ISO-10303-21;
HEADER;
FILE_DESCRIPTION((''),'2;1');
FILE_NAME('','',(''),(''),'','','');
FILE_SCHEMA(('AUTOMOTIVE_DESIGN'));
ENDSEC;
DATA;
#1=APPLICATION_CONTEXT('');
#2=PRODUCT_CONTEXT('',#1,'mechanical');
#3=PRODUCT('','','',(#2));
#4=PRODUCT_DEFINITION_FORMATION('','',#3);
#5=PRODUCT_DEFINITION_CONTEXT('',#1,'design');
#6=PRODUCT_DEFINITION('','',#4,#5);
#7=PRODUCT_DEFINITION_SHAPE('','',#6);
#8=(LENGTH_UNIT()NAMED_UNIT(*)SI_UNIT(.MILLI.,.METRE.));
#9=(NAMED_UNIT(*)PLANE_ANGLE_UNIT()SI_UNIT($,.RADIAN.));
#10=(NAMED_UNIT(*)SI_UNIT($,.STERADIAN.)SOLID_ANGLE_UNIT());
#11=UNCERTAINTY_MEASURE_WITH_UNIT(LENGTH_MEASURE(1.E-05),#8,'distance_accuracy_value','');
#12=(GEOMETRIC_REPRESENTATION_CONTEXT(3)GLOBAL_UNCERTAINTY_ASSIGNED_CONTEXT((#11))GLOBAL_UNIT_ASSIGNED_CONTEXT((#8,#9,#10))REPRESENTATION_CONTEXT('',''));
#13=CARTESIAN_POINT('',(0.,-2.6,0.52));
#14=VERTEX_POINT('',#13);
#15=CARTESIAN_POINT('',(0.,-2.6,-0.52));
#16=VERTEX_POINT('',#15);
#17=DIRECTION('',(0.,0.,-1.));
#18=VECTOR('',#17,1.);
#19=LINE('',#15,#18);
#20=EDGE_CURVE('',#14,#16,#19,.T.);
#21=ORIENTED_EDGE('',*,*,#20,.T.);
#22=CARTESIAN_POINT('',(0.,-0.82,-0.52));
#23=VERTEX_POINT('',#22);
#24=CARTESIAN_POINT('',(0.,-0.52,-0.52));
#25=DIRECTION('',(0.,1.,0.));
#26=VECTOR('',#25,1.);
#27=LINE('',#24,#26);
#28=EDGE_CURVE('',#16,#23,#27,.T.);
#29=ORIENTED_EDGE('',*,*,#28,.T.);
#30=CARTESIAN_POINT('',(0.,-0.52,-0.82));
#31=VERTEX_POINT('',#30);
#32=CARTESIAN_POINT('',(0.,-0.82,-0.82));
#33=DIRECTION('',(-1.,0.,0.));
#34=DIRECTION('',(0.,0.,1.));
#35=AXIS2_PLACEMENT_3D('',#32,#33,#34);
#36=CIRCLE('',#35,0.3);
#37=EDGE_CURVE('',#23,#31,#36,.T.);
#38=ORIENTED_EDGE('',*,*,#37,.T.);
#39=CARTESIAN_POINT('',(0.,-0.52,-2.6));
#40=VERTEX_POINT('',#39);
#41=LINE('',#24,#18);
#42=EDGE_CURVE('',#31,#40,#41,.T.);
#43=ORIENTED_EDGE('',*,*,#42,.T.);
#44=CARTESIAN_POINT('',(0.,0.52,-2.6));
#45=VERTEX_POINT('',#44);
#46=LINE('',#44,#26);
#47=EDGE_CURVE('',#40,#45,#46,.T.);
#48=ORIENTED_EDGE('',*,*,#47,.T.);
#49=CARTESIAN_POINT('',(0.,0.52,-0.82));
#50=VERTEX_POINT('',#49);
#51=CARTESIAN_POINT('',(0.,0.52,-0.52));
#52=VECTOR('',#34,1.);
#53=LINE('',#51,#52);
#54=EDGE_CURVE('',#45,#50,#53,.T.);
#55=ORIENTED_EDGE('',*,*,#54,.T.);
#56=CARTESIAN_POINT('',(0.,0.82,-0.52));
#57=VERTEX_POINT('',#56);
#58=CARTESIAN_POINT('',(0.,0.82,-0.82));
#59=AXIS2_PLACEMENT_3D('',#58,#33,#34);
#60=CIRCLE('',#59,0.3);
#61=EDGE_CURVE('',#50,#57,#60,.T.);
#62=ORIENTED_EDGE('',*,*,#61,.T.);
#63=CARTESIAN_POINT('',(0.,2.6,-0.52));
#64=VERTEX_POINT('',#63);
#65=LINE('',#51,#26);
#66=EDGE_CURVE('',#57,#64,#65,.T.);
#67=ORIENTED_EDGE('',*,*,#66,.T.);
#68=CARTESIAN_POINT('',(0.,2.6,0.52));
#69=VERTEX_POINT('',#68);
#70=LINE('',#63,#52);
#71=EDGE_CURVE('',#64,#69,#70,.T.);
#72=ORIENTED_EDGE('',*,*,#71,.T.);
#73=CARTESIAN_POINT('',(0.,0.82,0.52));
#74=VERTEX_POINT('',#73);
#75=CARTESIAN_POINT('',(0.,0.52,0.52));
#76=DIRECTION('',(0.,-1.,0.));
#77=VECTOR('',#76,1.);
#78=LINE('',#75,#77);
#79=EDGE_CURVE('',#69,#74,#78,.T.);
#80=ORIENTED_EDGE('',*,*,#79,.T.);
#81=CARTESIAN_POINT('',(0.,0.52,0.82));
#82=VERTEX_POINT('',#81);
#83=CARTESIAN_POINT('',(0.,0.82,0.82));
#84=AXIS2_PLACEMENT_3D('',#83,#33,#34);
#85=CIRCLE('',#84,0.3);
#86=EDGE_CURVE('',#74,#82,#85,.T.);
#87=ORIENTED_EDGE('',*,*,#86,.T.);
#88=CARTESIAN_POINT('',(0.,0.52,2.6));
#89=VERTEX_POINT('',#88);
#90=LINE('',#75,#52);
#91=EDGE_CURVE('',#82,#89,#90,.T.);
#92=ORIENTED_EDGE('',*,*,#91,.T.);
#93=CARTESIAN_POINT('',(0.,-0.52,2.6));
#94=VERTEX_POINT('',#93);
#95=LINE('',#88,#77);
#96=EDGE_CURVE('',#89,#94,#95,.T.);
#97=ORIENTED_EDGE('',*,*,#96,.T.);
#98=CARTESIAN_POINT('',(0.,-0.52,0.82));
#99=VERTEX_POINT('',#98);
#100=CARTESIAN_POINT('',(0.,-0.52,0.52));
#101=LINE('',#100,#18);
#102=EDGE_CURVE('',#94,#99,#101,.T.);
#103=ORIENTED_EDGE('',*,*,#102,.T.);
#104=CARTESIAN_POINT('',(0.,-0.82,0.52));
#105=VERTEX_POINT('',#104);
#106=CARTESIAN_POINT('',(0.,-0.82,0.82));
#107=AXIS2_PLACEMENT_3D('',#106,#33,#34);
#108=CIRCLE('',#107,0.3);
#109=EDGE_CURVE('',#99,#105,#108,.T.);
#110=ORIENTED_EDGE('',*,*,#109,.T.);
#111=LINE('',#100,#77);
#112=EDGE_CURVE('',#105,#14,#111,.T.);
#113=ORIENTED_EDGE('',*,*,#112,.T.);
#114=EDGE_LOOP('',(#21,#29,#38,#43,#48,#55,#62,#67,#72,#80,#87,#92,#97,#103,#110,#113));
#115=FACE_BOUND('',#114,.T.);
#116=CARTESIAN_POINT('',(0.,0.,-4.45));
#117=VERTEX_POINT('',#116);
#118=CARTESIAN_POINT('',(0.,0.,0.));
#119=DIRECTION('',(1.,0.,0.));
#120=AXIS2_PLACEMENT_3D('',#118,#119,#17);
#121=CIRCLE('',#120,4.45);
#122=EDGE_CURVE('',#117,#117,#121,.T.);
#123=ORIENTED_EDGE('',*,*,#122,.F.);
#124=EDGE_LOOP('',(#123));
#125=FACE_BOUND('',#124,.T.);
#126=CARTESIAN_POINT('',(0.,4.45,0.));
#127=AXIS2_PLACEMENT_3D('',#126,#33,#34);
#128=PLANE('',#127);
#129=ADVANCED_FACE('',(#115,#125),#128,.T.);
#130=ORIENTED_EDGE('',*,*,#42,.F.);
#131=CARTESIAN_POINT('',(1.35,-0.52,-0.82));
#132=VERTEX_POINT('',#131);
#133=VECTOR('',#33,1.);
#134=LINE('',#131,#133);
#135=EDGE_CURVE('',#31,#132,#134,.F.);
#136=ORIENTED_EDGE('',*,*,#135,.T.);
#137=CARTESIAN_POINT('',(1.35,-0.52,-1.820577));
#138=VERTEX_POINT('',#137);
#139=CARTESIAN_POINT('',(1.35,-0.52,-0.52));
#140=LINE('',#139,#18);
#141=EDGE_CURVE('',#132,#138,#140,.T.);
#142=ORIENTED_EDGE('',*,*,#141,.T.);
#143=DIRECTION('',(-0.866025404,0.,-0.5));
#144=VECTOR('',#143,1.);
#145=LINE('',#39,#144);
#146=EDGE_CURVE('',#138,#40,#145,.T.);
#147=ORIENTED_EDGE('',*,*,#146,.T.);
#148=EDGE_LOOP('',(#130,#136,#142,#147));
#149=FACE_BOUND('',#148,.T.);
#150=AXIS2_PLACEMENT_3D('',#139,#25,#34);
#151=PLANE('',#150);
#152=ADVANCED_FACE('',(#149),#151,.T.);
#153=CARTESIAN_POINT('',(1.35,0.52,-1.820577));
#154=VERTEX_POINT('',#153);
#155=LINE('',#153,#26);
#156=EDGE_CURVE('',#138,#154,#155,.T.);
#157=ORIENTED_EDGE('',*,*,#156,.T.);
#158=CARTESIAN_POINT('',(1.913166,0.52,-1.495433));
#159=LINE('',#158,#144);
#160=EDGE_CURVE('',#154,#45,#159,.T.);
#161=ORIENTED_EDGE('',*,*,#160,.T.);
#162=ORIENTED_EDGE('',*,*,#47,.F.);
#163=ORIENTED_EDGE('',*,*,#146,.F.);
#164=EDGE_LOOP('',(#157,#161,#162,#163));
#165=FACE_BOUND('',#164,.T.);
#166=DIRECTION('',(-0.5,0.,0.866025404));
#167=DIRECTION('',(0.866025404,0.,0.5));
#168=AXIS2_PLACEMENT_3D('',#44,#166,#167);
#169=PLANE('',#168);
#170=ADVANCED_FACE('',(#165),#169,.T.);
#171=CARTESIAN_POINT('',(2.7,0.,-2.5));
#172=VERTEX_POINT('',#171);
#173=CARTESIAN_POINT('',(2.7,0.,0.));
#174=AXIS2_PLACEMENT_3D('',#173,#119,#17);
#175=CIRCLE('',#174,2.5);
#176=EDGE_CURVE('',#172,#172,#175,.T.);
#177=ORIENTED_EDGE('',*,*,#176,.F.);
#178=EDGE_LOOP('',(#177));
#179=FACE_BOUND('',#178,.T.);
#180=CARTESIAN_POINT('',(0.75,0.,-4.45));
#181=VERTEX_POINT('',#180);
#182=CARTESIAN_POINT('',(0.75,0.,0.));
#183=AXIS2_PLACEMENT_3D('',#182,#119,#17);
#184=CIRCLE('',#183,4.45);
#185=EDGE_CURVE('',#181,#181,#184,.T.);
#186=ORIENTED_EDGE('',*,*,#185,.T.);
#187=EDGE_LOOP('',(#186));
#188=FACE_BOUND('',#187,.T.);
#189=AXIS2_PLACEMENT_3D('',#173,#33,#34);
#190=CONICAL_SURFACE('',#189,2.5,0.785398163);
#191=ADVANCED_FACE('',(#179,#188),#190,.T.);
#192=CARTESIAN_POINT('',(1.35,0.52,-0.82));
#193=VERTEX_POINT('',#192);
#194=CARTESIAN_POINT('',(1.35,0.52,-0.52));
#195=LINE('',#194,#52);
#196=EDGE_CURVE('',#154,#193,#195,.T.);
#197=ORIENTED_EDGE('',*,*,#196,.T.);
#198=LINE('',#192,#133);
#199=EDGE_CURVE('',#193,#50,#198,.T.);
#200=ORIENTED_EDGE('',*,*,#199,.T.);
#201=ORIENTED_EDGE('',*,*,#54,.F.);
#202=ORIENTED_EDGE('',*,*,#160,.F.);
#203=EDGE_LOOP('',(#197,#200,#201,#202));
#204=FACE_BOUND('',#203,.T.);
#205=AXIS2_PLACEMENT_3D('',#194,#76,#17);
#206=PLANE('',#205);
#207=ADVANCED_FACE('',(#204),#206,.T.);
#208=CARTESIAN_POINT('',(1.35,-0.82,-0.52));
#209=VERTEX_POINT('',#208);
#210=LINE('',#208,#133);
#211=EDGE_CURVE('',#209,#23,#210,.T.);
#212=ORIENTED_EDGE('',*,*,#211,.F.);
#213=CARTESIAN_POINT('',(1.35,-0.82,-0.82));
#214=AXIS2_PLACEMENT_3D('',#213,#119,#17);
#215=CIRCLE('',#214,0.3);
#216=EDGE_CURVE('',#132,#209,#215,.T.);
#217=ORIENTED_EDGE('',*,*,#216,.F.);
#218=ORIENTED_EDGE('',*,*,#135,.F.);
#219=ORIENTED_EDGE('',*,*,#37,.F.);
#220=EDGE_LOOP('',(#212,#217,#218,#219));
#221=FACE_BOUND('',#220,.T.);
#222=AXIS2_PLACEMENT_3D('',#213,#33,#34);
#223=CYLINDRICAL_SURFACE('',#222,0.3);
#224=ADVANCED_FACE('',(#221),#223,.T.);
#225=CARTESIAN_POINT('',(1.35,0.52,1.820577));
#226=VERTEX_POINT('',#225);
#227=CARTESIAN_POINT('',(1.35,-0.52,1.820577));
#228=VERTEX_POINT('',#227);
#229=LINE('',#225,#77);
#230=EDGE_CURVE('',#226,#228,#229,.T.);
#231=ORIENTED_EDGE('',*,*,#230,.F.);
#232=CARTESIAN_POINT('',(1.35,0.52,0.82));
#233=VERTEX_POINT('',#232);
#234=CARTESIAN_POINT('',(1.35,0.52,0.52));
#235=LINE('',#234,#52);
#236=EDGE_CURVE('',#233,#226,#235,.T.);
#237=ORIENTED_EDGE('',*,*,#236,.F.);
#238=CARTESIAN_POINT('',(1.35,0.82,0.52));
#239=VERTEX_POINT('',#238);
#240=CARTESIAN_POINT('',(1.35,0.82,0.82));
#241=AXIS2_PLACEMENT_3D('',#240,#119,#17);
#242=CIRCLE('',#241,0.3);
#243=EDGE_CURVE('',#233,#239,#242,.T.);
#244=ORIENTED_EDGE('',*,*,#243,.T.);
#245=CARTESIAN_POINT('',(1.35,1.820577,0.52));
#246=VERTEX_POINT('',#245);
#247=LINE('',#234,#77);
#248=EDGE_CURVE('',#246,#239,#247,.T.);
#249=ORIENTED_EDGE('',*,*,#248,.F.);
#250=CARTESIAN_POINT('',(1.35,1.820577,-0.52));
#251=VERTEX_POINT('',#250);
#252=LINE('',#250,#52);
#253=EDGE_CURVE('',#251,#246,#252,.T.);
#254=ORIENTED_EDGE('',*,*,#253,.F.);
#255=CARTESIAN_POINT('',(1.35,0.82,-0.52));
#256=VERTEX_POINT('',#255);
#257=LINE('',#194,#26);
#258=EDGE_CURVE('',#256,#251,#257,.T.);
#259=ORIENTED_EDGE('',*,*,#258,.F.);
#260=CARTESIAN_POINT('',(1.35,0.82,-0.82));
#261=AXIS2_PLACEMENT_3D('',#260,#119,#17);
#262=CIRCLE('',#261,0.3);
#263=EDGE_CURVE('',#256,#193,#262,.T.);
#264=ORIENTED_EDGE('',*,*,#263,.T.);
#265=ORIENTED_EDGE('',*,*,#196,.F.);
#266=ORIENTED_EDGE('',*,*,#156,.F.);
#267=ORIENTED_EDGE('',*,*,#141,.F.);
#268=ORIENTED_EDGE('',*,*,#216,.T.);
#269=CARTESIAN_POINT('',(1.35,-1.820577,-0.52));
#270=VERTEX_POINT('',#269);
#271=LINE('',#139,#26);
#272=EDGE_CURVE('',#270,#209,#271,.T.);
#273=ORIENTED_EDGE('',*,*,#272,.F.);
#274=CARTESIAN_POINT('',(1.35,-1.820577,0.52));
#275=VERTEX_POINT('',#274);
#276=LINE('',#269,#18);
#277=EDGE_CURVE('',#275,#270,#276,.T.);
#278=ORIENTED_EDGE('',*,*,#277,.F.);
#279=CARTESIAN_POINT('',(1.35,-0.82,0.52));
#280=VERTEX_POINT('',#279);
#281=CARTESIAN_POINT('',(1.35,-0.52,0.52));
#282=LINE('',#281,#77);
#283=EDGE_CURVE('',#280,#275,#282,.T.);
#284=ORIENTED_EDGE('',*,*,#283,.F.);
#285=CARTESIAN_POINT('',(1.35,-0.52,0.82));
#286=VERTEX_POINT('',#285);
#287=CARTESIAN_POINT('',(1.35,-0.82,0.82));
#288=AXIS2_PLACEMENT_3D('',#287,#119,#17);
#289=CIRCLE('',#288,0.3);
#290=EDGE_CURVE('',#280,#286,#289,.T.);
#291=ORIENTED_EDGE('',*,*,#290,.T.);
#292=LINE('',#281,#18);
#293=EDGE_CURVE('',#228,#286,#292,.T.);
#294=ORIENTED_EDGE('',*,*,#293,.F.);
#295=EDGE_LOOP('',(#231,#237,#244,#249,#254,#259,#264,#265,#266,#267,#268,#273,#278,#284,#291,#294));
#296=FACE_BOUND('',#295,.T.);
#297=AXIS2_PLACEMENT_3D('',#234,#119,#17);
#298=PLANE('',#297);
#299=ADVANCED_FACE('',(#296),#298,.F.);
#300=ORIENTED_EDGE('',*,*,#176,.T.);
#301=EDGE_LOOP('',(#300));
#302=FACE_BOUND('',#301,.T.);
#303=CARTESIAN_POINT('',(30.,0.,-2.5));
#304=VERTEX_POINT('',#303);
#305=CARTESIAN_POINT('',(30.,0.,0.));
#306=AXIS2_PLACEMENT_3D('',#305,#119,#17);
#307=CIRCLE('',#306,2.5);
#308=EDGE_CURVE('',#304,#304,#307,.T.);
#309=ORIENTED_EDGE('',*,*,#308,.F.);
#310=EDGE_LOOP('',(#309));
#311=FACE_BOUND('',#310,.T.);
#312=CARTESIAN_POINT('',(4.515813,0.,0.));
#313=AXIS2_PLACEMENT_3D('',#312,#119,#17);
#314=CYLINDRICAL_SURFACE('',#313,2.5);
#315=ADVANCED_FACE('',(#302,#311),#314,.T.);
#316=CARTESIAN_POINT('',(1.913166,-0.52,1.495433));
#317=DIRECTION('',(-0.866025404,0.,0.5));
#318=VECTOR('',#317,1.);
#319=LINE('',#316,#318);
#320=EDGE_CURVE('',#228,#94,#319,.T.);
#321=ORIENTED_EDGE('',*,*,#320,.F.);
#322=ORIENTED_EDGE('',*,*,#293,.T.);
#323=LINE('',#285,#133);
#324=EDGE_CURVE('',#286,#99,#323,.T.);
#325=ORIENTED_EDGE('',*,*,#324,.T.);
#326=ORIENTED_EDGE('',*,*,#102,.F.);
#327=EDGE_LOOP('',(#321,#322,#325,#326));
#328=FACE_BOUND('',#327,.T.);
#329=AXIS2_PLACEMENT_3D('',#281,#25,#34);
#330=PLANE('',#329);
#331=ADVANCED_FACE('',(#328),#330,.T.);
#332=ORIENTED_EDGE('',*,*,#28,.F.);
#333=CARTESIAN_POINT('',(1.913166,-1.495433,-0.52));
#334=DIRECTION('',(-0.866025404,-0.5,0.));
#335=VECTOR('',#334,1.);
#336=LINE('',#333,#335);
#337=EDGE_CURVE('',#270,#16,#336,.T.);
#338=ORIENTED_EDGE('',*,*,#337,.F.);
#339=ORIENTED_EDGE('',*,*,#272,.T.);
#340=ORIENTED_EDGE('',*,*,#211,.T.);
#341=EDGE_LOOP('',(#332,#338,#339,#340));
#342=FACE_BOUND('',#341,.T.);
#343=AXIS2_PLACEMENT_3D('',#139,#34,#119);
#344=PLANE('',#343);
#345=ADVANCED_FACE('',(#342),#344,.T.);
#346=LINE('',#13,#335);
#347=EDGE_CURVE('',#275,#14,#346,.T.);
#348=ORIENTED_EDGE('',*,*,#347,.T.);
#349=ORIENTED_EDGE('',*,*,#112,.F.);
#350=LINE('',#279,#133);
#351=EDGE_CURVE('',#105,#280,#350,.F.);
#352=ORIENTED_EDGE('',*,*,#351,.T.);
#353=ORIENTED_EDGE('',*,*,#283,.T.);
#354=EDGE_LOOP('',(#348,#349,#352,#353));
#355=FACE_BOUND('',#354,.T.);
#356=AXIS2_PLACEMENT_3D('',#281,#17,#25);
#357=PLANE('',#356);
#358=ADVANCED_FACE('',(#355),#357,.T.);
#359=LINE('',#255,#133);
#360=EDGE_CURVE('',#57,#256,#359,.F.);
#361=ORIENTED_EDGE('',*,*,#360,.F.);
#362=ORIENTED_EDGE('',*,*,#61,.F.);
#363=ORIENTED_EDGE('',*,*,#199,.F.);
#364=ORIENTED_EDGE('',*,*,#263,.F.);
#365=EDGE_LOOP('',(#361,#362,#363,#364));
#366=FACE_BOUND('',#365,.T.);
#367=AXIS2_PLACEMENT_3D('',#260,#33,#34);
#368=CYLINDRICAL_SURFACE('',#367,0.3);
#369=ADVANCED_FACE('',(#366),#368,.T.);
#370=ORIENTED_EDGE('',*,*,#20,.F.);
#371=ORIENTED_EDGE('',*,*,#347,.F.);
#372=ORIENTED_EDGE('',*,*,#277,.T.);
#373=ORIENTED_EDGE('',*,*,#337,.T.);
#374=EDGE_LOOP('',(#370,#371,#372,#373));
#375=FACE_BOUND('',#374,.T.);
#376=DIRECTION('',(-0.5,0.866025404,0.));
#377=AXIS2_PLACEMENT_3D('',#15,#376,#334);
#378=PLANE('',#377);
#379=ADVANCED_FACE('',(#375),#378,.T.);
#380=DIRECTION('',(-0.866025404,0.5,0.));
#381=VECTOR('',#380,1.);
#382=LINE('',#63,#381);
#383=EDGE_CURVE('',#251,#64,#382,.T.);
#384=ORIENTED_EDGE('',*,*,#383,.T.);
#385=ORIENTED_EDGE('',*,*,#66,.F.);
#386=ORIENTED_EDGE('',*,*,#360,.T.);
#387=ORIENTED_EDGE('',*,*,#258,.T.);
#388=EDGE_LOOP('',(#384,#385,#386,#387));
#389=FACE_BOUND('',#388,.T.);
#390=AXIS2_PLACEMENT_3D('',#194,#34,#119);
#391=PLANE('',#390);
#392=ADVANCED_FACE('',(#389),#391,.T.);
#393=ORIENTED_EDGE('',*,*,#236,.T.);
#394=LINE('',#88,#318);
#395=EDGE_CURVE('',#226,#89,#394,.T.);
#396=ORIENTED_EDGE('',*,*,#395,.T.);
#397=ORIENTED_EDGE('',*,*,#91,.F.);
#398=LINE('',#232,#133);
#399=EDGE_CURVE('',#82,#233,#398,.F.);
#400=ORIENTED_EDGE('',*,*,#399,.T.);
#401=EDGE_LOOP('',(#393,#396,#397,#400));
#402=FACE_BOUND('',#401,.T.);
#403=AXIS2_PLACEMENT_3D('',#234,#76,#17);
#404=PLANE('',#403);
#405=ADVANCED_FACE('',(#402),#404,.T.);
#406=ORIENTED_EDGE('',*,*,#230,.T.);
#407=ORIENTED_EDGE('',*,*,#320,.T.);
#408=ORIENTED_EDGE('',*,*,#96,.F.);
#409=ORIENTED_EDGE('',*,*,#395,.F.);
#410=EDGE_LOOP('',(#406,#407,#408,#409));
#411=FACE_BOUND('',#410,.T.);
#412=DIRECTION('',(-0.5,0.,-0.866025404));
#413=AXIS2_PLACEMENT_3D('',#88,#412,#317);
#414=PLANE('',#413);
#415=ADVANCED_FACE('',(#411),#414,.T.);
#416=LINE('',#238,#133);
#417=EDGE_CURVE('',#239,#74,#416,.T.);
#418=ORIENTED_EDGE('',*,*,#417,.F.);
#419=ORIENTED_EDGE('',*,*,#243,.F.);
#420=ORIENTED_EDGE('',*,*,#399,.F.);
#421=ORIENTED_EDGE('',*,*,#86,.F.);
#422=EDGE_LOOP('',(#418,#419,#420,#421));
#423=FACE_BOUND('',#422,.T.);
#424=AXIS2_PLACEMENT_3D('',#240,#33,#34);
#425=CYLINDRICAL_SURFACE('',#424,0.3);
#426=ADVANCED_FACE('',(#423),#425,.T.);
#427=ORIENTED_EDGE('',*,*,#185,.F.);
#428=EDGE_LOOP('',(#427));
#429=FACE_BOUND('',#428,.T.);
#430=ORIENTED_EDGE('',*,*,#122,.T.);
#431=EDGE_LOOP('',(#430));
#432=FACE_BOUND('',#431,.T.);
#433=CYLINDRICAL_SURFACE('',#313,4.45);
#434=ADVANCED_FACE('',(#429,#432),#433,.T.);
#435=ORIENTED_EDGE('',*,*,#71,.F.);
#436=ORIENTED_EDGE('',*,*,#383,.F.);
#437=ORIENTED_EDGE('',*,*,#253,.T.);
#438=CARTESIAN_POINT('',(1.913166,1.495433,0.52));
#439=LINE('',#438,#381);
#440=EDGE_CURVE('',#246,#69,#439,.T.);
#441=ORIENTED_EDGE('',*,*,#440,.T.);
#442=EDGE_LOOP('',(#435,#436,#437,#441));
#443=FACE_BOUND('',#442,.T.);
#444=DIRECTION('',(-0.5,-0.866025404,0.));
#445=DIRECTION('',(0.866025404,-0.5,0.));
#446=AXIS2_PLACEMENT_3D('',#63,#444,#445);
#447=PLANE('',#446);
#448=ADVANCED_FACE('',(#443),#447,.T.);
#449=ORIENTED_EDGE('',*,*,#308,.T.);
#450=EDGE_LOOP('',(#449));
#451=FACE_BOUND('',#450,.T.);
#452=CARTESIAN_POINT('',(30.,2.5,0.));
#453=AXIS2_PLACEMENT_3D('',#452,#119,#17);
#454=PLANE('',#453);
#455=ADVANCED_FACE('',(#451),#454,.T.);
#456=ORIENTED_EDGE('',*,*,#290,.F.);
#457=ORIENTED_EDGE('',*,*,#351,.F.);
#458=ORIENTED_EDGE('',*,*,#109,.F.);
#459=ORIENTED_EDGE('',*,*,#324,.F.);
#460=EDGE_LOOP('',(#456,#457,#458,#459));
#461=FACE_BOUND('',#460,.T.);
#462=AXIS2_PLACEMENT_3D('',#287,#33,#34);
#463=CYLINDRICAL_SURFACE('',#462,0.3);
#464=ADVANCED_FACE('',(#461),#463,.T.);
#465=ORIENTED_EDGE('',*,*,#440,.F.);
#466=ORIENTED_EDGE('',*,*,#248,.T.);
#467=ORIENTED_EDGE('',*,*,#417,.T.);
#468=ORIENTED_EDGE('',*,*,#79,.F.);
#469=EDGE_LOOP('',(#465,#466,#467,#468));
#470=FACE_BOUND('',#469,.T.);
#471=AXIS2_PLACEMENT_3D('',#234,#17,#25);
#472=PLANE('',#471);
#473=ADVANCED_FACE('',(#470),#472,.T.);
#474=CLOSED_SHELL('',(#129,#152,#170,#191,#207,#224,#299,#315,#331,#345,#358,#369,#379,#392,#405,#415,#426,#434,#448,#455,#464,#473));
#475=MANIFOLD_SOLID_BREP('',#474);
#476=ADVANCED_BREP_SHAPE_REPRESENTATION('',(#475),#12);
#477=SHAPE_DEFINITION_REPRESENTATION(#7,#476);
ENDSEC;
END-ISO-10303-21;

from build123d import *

# Parameters (mm, degrees)
CROSSRECESS_DEPTH = 1.35
DRAFT9_ANGLE      = 30
FILLET5_R         = 0.3
SKETCH10_W        = 0.8
SKETCH10_H        = 2.5


with BuildPart() as part:
    # Sketch1 → Base (revolve)
    with BuildSketch(Plane.XY):
        Polygon((30, 2.5), (4.3, 2.5), (2.7, 2.5), (0.75, 4.45), (0, 4.45), (0, 0), (30, 0), align=None)
    revolve(axis=Axis((4.515812911, 0, 0), (-1, 0, 0)))

    # Sketch6 → CrossRecess (cut)
    with BuildSketch(Plane(origin=(0, 0, 0), x_dir=(0, 0, -1), z_dir=(1, 0, 0))):
        Polygon((0.52, 0.52), (0.52, 2.6), (-0.52, 2.6), (-0.52, 0.52), (-2.6, 0.52), (-2.6, -0.52), (-0.52, -0.52), (-0.52, -2.6), (0.52, -2.6), (0.52, -0.52), (2.6, -0.52), (2.6, 0.52), align=None)
    extrude(amount=CROSSRECESS_DEPTH, mode=Mode.SUBTRACT)

    # Draft9
    draft9_faces = [part.faces().sort_by_distance(p)[0] for p in [
        (0.675, -2.6, 0),
        (0.675, 0, 2.6),
        (0.675, 0, -2.6),
        (0.675, 2.6, 0),
    ]]
    draft(draft9_faces, Plane(origin=(0, 4.45, 0), x_dir=(0, 0, -1), z_dir=(-1, 0, 0)), DRAFT9_ANGLE)

    # Fillet5
    fillet5_edges = [part.edges().sort_by_distance(p)[0] for p in [
        (0.675, 0.52, 0.52),
        (0.675, -0.52, 0.52),
        (0.675, -0.52, -0.52),
        (0.675, 0.52, -0.52),
    ]]
    fillet(fillet5_edges, radius=FILLET5_R)

    # Sketch10 → Revolve2 (revolve)
    with BuildSketch(Plane.XY):
        with Locations((3.1, 1.25)):
            Rectangle(SKETCH10_W, SKETCH10_H)
    revolve(axis=Axis((62.228915663, 0, 0), (-1, 0, 0)))


solid = part.part
